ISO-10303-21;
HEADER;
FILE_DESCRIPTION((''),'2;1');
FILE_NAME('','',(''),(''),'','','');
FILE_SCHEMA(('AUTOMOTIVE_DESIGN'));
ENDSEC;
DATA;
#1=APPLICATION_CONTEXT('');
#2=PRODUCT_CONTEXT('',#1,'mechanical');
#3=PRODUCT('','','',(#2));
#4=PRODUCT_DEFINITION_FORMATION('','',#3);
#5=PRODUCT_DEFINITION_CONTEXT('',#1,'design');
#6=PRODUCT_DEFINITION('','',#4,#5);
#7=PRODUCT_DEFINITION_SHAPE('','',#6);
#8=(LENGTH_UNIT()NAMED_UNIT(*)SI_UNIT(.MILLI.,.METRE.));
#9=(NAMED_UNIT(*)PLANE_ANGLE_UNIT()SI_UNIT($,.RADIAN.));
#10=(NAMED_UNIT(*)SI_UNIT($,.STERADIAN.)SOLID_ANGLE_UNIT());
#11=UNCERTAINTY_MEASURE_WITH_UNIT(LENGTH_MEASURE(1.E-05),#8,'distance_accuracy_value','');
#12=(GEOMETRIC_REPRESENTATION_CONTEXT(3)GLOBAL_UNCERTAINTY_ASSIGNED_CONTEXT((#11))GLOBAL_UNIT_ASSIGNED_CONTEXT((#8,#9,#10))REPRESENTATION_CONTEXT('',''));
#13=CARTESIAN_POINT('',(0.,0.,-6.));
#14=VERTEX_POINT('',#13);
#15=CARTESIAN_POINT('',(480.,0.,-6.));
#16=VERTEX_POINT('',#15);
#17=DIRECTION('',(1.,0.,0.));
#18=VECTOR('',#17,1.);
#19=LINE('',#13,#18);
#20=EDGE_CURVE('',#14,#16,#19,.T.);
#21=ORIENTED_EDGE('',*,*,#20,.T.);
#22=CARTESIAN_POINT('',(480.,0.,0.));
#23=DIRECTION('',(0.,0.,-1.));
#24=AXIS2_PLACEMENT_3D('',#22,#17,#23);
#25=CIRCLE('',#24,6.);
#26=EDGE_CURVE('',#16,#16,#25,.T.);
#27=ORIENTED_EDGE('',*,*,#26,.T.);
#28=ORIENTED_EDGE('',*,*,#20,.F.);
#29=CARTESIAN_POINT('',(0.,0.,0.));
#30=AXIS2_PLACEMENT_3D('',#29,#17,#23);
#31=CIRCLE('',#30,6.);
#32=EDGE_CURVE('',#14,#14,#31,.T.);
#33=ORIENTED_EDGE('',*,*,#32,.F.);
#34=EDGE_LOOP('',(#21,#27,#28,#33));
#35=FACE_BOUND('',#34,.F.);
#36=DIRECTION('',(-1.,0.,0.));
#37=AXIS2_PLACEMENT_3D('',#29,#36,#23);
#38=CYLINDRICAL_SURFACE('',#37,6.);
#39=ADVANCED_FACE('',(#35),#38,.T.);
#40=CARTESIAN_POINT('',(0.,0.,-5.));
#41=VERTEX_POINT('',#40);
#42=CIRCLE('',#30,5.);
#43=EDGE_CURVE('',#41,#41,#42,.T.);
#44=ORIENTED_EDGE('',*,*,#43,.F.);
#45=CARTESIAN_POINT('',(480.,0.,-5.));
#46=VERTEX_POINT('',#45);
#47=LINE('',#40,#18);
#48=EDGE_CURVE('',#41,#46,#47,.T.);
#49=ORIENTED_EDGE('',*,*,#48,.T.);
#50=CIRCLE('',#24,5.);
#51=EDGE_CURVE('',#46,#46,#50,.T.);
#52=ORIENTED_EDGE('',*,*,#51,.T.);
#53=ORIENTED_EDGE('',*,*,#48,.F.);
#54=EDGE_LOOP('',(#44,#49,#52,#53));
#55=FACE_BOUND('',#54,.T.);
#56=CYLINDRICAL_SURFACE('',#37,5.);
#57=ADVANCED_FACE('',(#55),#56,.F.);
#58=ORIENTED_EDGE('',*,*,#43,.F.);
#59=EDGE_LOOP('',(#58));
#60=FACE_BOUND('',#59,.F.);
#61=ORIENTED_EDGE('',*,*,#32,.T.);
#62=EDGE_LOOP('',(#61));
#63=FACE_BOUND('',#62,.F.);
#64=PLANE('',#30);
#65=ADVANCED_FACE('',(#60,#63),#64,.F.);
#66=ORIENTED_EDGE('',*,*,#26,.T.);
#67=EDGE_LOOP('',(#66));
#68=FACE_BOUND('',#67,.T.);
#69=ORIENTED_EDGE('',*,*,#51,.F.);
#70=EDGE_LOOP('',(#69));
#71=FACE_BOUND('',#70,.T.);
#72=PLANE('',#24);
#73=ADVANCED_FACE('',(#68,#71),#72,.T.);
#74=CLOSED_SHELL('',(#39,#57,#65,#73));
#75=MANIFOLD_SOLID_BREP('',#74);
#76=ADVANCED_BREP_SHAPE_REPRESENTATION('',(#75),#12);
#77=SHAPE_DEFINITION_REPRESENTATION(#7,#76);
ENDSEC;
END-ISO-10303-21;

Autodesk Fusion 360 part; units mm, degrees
sketch "Sketch1" plane through (0, 0, 0) normal (1, 0, 0) x (0, 0, -1)
  circle A0 centre (0, 0) radius 6
  circle A1 centre (0, 0) radius 5
  dimension "d1" = 12
  dimension "d2" = -1
extrude "Extrude1" add sketch "Sketch1" along normal blind 480
